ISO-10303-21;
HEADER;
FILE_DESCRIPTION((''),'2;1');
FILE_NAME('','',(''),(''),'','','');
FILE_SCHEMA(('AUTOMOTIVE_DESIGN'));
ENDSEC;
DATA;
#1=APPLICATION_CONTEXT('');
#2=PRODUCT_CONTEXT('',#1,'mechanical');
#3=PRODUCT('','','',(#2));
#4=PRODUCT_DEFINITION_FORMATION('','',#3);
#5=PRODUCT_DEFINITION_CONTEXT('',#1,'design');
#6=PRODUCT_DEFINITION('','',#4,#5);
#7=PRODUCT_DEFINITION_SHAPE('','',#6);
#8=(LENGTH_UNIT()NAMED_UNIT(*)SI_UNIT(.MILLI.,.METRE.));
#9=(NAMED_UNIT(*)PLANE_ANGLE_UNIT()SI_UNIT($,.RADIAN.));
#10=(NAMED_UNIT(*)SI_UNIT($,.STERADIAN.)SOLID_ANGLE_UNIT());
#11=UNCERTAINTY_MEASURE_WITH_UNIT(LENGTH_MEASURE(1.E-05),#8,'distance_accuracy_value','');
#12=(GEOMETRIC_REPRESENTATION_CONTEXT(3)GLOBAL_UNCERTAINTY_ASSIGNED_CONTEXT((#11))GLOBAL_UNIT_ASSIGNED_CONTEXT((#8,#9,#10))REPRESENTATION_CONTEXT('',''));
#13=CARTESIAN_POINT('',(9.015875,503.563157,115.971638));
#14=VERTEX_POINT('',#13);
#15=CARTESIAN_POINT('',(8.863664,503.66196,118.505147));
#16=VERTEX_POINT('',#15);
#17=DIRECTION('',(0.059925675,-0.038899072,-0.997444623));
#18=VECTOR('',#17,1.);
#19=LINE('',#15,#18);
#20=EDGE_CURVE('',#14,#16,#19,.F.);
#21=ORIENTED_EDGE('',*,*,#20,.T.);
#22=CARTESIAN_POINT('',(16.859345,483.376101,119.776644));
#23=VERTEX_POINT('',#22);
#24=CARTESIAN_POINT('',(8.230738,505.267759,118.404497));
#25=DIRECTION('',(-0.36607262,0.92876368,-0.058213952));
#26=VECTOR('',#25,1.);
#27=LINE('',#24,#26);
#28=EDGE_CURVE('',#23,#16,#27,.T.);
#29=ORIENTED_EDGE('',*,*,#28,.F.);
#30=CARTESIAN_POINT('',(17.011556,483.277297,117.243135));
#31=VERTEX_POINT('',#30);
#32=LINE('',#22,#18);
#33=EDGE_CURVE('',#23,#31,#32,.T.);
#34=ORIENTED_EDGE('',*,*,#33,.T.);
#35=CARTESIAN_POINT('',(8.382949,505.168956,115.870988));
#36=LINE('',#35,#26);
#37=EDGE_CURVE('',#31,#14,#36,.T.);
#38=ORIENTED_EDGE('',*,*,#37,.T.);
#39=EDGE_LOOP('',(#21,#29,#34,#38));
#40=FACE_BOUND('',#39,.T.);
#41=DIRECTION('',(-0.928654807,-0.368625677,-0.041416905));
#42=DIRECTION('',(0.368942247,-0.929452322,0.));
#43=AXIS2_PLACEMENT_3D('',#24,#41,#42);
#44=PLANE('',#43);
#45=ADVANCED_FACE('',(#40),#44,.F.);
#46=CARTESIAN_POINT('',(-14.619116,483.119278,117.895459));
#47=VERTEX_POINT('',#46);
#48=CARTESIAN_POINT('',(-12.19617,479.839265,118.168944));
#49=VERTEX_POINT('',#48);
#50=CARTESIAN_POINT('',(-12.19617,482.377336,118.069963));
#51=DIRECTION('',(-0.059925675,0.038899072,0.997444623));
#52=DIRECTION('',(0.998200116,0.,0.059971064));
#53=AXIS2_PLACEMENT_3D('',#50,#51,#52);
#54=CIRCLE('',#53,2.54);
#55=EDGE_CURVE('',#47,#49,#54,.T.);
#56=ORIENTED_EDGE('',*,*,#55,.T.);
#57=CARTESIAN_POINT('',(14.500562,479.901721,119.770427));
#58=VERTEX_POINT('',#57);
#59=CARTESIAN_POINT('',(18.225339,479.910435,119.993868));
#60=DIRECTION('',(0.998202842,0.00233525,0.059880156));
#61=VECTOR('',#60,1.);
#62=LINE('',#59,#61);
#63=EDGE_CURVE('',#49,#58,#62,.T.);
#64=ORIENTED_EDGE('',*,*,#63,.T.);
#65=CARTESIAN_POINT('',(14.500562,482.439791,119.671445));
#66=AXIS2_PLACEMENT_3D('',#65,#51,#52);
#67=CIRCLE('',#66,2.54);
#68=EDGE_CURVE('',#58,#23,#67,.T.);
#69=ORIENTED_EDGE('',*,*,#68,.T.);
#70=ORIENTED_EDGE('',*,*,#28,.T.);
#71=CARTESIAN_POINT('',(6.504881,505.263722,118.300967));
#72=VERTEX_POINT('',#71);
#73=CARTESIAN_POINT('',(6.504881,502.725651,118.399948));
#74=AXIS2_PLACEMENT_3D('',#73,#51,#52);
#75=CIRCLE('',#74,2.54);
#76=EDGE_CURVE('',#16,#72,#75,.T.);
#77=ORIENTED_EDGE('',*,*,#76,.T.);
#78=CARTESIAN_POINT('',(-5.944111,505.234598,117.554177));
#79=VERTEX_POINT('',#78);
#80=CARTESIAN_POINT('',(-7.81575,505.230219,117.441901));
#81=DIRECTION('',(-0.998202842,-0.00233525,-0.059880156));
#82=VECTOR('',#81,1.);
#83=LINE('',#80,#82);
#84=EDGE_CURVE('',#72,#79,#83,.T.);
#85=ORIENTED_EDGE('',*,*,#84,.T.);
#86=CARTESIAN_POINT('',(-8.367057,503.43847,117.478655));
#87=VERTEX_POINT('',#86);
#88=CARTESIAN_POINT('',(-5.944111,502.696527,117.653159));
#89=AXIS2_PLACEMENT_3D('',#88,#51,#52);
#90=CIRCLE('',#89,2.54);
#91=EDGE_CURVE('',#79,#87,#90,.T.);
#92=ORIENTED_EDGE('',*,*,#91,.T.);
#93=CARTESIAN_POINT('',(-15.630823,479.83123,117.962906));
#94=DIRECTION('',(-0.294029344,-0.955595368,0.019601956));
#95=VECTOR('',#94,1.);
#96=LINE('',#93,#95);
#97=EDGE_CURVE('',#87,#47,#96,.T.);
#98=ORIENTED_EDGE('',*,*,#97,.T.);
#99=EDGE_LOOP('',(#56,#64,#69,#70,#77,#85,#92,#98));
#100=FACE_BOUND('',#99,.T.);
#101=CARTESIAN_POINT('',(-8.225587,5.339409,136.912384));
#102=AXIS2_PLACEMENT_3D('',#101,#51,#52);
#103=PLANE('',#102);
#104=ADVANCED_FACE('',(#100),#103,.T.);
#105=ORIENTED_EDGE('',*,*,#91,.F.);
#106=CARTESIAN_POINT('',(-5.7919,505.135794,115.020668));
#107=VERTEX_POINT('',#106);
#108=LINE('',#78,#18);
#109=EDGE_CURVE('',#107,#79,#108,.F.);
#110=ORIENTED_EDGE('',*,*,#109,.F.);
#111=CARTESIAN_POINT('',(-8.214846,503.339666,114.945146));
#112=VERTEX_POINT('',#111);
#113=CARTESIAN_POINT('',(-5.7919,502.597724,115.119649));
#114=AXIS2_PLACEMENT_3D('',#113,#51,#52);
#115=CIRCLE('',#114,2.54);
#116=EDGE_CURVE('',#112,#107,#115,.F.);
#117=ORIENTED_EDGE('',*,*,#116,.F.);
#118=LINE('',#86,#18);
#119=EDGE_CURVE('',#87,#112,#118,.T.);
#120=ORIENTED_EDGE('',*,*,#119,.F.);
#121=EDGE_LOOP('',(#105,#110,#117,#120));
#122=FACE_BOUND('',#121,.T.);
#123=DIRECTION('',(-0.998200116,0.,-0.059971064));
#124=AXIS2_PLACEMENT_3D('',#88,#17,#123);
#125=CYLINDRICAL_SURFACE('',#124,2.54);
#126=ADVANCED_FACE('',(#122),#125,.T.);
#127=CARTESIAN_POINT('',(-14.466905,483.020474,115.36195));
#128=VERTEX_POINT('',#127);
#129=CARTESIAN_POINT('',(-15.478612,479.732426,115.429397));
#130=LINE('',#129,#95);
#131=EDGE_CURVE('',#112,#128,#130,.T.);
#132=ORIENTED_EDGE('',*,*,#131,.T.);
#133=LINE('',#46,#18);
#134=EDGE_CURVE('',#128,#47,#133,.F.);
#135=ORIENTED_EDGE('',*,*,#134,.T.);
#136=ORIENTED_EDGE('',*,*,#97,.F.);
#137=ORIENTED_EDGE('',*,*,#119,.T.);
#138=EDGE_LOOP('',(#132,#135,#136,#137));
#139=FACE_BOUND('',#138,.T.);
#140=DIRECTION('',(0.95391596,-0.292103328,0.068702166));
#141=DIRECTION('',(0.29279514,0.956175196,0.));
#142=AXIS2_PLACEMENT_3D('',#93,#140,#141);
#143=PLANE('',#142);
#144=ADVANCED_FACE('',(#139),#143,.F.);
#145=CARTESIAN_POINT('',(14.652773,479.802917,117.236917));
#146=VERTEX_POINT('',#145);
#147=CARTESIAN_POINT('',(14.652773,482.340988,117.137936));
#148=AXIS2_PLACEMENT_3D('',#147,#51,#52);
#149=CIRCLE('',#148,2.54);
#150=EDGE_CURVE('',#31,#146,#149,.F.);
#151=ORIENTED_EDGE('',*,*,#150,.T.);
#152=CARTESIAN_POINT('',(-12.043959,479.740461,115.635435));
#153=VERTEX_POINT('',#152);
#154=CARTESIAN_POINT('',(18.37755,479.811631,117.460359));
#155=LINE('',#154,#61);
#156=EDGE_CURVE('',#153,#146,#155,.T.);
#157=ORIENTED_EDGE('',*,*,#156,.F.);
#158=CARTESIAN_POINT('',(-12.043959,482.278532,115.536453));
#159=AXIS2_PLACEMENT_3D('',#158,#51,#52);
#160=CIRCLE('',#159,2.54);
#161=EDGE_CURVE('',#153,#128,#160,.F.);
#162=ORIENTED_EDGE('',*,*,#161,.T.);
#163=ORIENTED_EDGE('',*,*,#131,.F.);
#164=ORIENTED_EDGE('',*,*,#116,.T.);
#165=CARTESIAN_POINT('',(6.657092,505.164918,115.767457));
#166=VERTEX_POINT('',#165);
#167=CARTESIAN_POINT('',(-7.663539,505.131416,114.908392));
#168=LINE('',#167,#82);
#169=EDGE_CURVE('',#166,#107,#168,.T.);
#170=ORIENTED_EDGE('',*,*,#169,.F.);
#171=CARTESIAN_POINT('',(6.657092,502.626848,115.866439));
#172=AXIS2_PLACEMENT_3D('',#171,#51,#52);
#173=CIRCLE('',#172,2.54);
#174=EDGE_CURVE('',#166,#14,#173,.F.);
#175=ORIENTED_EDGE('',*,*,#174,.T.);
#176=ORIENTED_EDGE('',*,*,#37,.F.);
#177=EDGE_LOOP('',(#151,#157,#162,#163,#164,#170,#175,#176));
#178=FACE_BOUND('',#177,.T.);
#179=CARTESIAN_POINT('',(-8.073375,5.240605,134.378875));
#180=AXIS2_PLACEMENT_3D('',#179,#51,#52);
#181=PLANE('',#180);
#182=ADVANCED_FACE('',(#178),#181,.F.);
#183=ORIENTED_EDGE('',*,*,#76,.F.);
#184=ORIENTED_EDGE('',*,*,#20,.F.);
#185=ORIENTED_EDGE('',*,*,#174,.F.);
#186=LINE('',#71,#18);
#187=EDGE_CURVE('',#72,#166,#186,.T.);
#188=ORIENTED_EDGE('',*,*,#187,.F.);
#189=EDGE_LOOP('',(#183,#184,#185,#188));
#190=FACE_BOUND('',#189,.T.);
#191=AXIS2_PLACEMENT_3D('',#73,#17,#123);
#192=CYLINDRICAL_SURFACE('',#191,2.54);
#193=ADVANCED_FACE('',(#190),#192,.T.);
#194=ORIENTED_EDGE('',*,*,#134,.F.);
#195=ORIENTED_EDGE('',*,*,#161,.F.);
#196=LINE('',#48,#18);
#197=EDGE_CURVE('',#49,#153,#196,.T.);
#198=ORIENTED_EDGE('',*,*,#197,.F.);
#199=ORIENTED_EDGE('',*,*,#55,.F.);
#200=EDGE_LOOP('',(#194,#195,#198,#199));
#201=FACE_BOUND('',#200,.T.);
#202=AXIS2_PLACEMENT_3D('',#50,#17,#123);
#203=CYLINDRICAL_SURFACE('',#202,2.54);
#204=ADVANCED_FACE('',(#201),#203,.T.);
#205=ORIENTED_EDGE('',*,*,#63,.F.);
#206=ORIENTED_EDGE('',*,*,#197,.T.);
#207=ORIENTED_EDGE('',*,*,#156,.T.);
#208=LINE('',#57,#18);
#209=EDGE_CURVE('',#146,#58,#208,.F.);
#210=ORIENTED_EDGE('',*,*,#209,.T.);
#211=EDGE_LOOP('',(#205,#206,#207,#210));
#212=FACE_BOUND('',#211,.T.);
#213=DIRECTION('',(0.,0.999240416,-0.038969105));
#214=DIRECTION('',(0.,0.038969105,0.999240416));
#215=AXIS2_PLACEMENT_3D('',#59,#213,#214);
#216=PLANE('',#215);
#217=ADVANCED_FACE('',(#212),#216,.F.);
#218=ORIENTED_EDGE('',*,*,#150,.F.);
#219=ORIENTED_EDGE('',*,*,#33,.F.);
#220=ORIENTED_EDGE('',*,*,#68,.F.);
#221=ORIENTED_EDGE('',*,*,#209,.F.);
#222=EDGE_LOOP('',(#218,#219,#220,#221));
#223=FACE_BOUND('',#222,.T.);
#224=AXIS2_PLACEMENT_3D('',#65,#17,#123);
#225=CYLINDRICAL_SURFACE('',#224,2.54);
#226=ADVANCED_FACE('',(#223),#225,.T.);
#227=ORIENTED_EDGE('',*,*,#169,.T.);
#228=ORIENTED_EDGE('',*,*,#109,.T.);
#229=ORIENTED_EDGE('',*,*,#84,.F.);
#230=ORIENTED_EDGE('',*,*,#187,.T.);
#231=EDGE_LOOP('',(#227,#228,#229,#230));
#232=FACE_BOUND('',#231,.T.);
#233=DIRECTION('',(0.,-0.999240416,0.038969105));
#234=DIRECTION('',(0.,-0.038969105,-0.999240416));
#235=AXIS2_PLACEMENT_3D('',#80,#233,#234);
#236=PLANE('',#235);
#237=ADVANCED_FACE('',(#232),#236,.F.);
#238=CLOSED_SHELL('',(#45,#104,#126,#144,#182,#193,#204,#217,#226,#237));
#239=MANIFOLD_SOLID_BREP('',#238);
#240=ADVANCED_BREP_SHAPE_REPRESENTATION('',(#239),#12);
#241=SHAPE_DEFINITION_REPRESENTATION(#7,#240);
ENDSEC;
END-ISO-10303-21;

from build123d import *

# Parameters (mm, degrees)
BOSS_EXTRUDE1_DEPTH = 2.54
FILLET1_R           = 2.54


with BuildPart() as part:
    # Sketch1 → Boss-Extrude1 (new body)
    with BuildSketch(Plane(origin=(-8.073375318, 5.240605229, 134.378875143), x_dir=(0.998202842, 0.00233525, 0.059880156), z_dir=(-0.059925675, 0.038899072, 0.997444623))):
        Polygon((16.485952237, 500.26984873), (26.498547321, 474.86984873), (-7.418569241, 474.86984873), (0.410574683, 500.26984873), align=None)
    extrude(amount=BOSS_EXTRUDE1_DEPTH)

    # Fillet1
    fillet1_edges = [part.edges().sort_by_distance(p)[0] for p in [
        (8.306843448, 505.218357591, 117.137742749),
        (18.301444315, 479.861032939, 118.727113786),
        (-15.554717825, 479.781827994, 116.696151541),
        (-7.73964411, 505.180817566, 116.175146627),
    ]]
    fillet(fillet1_edges, radius=FILLET1_R)


solid = part.part
